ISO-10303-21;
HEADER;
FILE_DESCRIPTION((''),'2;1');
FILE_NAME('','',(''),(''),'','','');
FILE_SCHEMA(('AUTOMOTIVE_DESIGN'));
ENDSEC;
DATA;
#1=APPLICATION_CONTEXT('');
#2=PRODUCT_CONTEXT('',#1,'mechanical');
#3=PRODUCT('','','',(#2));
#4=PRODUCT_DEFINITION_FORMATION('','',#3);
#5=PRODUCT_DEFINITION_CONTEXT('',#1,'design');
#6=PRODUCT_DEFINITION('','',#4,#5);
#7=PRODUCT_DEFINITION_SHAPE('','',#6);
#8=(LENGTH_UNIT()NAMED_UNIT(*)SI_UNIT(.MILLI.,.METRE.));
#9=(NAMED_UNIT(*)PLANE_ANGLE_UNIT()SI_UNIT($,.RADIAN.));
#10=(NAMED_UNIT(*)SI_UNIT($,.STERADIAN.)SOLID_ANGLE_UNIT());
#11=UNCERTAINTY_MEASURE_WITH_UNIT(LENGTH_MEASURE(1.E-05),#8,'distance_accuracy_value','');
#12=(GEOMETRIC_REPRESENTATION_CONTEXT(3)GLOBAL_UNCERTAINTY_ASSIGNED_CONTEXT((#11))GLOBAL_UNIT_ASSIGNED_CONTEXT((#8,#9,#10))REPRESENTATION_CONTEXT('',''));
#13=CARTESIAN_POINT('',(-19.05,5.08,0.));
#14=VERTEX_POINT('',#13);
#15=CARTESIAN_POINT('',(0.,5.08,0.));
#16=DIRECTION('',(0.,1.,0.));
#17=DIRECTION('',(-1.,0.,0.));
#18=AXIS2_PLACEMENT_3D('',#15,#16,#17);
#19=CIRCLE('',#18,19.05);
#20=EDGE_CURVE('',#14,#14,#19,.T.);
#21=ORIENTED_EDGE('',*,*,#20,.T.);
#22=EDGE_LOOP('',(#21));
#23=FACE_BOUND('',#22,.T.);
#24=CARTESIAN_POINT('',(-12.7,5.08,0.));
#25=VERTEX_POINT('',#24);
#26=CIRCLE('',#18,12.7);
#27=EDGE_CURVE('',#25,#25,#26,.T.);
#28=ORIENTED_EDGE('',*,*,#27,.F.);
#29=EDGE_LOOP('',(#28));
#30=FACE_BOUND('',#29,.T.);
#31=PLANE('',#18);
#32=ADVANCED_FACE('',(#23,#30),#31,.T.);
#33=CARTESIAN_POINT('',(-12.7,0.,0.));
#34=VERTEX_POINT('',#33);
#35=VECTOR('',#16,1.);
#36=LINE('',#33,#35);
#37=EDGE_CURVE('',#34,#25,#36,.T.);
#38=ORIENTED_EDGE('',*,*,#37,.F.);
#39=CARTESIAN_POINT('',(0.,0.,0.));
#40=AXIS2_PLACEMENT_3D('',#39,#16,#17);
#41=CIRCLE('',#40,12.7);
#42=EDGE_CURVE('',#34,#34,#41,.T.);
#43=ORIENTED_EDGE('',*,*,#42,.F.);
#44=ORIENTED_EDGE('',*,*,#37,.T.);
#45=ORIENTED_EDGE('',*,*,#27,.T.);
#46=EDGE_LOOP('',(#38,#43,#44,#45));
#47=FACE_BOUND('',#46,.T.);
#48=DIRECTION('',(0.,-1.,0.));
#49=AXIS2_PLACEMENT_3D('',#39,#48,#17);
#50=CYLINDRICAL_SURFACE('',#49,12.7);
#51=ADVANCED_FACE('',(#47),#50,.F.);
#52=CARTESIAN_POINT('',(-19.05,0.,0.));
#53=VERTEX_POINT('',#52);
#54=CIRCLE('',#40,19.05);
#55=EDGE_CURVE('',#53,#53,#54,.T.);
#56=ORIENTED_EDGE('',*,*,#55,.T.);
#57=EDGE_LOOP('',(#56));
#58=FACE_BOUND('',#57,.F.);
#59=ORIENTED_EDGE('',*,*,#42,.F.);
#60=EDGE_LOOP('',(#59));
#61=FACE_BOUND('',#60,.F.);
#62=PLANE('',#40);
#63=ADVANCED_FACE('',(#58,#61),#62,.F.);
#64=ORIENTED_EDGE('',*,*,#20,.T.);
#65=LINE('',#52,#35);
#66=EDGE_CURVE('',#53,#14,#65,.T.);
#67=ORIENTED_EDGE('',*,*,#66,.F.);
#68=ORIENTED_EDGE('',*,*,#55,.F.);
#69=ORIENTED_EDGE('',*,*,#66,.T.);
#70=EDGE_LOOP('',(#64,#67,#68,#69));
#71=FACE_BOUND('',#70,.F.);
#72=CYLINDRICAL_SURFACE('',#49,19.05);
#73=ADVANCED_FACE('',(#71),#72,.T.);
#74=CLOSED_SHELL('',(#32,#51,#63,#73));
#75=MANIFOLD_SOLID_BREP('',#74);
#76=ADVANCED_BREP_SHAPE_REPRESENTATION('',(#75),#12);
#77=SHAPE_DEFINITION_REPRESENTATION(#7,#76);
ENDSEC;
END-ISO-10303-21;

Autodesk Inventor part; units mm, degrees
ref_plane "YZ Plane" through (0, 0, 0) normal (1, 0, 0) x (0, 1, 0)
ref_plane "XZ Plane" through (0, 0, 0) normal (0, 1, 0) x (-1, 0, 0)
ref_plane "XY Plane" through (0, 0, 0) normal (0, 0, 1) x (1, 0, 0)
sketch "Sketch1" plane through (0, 0, 0) normal (0, 1, 0) x (-1, 0, 0)
  circle A0 centre (0, 0) radius 12.7
  circle A1 centre (0, 0) radius 19.05
  dimension "d0" = 25.4
  dimension "d1" = 6.35
extrude "Extrusion1" add sketch "Sketch1" along normal blind 5.08
properties part number "FlipperDriveShaft_HDPEspacer" material "Nylon 6/6"
